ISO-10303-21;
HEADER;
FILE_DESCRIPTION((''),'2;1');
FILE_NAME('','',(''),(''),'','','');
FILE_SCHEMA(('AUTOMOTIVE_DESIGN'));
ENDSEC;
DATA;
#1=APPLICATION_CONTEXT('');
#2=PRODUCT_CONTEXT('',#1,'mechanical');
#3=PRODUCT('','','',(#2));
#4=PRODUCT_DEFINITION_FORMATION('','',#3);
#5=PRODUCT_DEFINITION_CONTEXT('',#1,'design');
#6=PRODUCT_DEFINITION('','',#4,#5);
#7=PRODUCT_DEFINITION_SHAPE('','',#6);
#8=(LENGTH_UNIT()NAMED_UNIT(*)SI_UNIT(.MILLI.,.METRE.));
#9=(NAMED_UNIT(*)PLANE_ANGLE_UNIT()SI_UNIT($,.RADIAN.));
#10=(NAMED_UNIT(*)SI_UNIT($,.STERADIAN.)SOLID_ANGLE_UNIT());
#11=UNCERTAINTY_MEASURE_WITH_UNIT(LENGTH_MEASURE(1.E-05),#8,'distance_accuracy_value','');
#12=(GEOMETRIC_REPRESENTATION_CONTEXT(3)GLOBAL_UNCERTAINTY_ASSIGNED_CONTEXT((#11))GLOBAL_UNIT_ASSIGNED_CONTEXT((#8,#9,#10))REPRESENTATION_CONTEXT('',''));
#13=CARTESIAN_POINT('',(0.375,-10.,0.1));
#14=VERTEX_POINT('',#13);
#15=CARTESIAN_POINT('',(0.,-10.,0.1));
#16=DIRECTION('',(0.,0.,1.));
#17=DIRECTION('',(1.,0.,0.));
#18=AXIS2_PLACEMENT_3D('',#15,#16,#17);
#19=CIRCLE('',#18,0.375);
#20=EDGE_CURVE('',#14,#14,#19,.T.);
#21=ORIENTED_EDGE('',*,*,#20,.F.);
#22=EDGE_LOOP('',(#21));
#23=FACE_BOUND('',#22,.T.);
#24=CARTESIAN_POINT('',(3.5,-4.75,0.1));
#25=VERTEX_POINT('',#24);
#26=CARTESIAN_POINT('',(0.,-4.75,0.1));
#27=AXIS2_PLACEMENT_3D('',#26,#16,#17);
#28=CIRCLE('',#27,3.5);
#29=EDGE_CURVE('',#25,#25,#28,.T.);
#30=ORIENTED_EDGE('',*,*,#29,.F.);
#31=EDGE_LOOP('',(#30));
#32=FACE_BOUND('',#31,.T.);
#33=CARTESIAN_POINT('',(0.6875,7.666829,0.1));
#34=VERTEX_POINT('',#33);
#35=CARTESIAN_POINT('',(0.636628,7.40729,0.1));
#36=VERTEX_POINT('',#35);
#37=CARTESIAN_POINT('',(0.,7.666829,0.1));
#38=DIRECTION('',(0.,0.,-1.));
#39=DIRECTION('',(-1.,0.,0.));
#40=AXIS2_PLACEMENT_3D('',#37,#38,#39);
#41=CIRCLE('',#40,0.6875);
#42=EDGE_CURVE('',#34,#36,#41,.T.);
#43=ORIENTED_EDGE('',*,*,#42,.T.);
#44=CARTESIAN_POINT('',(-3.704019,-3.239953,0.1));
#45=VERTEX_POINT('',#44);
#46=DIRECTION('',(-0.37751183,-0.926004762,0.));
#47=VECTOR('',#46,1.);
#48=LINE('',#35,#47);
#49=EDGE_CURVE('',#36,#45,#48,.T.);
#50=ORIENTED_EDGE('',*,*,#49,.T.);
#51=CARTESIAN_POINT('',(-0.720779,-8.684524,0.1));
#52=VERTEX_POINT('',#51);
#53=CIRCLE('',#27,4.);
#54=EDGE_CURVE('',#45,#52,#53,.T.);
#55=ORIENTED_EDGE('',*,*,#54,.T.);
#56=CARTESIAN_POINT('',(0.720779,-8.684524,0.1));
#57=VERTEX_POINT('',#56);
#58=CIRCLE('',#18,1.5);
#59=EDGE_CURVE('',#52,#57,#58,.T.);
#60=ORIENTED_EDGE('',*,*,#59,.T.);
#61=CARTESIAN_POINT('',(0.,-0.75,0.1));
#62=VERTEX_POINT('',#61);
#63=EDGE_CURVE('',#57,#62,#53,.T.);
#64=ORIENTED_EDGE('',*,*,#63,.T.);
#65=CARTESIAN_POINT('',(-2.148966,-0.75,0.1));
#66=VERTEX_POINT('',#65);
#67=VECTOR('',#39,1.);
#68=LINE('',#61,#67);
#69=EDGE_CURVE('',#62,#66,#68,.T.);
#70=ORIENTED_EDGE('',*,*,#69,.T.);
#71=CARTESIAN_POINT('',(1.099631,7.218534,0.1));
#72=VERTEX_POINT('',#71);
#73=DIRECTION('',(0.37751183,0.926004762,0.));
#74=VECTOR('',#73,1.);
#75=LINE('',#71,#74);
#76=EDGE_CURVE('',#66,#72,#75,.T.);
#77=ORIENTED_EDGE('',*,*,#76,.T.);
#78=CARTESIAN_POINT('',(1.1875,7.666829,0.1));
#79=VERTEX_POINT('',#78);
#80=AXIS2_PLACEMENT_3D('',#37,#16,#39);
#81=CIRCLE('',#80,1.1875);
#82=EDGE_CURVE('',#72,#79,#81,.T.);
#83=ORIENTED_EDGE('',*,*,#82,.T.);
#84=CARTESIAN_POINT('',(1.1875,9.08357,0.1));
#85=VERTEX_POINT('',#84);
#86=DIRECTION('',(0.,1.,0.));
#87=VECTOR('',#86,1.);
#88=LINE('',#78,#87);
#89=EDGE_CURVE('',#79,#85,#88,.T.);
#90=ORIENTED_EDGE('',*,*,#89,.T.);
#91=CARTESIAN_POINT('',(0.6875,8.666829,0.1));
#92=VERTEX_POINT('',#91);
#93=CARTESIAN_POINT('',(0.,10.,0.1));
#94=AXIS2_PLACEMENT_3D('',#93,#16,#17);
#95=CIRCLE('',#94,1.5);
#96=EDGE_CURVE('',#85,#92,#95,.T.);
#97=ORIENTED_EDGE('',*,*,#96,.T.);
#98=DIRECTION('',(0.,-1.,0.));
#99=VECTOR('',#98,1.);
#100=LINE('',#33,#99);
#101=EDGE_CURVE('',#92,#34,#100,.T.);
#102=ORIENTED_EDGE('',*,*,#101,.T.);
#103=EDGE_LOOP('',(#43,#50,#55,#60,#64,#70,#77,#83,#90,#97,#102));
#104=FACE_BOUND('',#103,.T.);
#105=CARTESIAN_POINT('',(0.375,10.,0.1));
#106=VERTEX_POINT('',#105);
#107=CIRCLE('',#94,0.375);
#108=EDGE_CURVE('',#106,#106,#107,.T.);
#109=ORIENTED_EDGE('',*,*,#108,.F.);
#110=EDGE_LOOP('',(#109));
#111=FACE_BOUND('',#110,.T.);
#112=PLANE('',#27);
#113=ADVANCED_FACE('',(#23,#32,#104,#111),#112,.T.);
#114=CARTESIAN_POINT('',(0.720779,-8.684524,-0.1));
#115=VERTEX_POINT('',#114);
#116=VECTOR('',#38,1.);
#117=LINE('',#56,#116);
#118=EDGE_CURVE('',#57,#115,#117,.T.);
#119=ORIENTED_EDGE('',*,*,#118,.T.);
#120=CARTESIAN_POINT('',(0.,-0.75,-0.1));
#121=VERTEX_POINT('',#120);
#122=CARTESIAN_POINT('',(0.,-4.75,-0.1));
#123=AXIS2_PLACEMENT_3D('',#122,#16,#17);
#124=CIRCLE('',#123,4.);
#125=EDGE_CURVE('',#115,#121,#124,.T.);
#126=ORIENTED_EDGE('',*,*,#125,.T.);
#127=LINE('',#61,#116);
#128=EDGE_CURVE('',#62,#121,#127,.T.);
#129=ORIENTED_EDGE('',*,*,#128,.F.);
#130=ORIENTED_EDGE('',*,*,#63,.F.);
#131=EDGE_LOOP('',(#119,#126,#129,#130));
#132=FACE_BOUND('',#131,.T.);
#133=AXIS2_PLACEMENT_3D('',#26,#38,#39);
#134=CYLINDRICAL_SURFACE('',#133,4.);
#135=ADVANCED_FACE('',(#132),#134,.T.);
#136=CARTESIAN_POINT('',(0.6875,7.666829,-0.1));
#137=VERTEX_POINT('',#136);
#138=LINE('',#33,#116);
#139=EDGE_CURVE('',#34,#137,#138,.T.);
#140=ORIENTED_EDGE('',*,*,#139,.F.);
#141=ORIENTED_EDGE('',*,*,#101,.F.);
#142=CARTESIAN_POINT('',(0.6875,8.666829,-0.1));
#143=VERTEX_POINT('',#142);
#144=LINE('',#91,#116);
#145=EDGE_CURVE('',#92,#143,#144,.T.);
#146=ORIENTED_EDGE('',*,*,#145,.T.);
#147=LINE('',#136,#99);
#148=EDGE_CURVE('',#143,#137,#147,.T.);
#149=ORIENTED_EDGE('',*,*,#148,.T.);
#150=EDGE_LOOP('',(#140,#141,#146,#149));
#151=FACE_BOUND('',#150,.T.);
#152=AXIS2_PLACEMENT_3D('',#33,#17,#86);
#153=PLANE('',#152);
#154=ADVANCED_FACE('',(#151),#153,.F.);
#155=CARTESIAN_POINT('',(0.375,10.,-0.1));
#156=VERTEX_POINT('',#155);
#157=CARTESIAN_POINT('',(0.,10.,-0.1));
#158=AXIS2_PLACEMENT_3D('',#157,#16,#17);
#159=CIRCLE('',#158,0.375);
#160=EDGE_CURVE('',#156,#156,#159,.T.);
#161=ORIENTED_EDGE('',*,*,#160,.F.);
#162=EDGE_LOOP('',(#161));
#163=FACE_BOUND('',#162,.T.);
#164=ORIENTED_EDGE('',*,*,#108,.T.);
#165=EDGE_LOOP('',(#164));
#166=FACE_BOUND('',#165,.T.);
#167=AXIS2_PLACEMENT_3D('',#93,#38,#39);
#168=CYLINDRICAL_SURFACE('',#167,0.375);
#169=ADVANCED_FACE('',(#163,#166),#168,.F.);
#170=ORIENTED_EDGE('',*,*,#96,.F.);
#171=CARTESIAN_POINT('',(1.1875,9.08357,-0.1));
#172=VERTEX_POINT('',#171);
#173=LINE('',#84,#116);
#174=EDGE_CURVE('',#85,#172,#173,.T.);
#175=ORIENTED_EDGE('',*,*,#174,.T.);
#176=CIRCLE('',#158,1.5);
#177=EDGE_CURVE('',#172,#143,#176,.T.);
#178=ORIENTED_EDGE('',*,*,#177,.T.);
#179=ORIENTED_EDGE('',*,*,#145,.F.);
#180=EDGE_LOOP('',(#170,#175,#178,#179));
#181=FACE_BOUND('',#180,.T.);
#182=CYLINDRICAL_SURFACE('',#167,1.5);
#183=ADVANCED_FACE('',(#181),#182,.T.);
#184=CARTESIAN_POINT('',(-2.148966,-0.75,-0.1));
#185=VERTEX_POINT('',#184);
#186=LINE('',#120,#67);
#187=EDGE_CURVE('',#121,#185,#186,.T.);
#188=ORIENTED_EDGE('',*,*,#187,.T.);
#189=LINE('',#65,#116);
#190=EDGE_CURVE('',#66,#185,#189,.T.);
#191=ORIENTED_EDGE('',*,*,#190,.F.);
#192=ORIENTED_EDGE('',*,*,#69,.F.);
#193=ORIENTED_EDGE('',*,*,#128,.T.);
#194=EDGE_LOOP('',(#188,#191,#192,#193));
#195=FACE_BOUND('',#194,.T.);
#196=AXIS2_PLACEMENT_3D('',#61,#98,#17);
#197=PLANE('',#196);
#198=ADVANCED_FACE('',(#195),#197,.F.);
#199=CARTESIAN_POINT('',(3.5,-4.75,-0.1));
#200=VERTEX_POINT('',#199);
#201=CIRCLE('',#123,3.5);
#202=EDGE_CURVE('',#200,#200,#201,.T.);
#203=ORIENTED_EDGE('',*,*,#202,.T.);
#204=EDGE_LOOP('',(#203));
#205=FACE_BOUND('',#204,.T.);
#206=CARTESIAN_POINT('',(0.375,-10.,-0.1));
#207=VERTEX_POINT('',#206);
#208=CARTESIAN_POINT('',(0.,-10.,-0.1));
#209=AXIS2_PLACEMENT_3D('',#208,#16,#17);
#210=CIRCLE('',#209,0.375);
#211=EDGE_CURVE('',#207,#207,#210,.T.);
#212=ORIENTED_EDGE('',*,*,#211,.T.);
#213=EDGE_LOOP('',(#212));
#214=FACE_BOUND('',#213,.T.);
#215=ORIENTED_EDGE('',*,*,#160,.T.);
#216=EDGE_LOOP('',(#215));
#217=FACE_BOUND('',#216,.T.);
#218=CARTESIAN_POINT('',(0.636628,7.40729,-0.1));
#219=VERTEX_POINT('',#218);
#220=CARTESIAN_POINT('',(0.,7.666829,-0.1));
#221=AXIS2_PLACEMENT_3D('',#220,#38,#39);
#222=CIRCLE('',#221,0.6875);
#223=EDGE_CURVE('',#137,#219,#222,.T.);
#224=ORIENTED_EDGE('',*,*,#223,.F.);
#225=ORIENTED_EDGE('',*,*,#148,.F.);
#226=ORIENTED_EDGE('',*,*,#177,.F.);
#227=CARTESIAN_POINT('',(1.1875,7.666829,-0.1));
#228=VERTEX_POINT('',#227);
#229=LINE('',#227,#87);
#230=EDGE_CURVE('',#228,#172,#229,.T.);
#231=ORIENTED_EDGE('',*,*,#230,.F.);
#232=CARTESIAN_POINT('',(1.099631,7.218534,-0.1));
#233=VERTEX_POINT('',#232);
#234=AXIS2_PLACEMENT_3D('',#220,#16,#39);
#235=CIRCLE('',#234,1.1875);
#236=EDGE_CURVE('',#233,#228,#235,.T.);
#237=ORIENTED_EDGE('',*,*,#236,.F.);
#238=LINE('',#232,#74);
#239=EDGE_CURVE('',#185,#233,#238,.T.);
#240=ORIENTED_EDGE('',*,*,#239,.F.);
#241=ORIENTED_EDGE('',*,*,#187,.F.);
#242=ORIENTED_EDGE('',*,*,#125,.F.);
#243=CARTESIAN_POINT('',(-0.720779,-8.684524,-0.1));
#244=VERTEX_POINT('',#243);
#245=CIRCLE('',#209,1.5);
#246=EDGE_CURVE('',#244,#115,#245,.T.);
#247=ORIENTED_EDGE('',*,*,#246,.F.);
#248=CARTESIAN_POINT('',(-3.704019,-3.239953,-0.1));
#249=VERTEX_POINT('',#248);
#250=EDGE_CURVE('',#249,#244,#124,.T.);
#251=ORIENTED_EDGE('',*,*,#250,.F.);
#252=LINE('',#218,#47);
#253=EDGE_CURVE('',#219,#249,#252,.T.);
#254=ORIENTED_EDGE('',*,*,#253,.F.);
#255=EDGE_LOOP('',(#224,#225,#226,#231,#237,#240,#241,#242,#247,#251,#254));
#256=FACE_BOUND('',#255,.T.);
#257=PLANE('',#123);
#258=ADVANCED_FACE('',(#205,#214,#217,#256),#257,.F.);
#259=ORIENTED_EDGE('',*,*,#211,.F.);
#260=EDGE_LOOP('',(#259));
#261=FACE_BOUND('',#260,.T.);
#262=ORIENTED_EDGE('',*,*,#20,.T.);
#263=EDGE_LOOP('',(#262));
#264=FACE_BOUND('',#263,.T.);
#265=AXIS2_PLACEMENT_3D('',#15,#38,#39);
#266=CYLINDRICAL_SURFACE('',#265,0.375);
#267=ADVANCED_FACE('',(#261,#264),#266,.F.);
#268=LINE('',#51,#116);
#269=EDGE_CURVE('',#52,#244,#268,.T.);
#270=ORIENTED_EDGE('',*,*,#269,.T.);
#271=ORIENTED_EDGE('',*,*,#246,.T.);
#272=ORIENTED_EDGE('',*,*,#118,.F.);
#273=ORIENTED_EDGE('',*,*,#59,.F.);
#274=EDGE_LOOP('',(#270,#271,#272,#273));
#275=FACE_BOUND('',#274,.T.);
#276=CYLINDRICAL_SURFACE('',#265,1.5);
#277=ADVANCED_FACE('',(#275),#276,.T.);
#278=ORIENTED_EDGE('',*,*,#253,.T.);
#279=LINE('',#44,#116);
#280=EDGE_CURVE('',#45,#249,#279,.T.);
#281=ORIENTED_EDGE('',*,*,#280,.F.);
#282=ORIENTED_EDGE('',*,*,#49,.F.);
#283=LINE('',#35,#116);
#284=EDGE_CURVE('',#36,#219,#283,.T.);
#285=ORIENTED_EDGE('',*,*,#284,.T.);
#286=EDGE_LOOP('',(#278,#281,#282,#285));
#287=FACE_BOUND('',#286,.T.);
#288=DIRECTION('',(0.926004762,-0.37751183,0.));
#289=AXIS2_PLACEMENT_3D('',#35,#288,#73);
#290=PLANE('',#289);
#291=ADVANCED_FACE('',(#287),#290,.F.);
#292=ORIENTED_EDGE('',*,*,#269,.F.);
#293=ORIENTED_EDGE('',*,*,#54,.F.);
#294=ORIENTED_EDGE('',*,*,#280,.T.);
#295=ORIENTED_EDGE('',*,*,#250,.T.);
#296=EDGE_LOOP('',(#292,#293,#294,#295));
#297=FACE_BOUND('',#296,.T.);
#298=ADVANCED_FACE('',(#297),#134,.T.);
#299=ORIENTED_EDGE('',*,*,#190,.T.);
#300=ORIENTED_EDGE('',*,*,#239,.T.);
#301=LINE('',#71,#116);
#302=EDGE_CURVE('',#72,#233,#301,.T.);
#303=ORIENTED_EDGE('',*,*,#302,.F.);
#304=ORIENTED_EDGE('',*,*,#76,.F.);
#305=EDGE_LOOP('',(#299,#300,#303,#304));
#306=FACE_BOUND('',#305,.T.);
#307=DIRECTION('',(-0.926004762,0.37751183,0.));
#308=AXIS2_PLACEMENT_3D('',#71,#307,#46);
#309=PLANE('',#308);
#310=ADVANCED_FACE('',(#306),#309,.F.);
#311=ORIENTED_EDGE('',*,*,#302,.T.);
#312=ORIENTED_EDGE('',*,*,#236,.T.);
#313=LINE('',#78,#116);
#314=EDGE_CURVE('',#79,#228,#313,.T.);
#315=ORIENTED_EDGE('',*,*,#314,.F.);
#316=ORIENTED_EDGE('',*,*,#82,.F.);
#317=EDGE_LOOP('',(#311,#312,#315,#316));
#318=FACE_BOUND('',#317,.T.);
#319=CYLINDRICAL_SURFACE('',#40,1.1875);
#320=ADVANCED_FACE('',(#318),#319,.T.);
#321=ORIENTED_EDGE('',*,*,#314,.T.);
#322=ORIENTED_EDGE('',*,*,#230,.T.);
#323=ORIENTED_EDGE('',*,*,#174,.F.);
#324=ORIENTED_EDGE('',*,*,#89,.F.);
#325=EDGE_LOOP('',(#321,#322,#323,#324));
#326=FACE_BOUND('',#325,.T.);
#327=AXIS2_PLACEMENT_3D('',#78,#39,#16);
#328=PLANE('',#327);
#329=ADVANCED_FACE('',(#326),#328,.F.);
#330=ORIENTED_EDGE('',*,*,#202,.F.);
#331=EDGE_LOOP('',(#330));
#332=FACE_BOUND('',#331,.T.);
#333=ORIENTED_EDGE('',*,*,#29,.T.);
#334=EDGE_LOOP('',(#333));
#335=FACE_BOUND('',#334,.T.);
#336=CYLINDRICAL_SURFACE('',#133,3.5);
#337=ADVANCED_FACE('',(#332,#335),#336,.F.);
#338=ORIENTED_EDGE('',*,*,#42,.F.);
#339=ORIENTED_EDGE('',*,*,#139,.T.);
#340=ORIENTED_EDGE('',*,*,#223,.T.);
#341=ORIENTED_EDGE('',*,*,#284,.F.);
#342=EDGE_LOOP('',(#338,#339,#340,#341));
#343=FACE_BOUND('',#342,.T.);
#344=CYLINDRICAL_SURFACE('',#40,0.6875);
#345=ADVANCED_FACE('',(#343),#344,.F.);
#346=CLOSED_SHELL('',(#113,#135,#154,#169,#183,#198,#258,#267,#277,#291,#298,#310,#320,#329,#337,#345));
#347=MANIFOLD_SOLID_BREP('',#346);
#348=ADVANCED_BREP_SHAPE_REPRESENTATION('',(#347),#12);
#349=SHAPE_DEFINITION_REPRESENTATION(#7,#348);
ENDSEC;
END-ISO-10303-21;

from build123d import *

# Parameters (mm, degrees)
SKETCH1_R           = 0.375
SKETCH1_R_2         = 3.5
BOSS_EXTRUDE1_DEPTH = 0.1


with BuildPart() as part:
    # Sketch1 → Boss-Extrude1 (new body, symmetric)
    with BuildSketch(Plane.XY):
        with BuildLine():
            Line((0.636628274, 7.407290054), (-3.704019046, -3.239952681))
            ThreePointArc((-3.704019046, -3.239952681), (-3.507926477, -6.672095687), (-0.720779018, -8.68452381))
            ThreePointArc((-0.720779018, -8.68452381), (0, -11.5), (0.720779018, -8.68452381))
            ThreePointArc((0.720779018, -8.68452381), (3.983597321, -4.388126568), (0, -0.75))
            Line((0, -0.75), (-2.148965927, -0.75))
            Line((-2.148965927, -0.75), (1.099630654, 7.218534139))
            ThreePointArc((1.099630654, 7.218534139), (1.165325631, 7.4384166), (1.1875, 7.666829437))
            Line((1.1875, 7.666829437), (1.1875, 9.083570106))
            ThreePointArc((1.1875, 9.083570106), (-0.960377242, 11.152248043), (0.6875, 8.666829437))
            Line((0.6875, 8.666829437), (0.6875, 7.666829437))
            ThreePointArc((0.6875, 7.666829437), (0.674662207, 7.534590426), (0.636628274, 7.407290054))
        make_face()
        with Locations((0, 10)):
            Circle(SKETCH1_R, mode=Mode.SUBTRACT)
        with Locations((0, -10)):
            Circle(SKETCH1_R, mode=Mode.SUBTRACT)
        with Locations((0, -4.75)):
            Circle(SKETCH1_R_2, mode=Mode.SUBTRACT)
    extrude(amount=BOSS_EXTRUDE1_DEPTH, both=True)


solid = part.part
